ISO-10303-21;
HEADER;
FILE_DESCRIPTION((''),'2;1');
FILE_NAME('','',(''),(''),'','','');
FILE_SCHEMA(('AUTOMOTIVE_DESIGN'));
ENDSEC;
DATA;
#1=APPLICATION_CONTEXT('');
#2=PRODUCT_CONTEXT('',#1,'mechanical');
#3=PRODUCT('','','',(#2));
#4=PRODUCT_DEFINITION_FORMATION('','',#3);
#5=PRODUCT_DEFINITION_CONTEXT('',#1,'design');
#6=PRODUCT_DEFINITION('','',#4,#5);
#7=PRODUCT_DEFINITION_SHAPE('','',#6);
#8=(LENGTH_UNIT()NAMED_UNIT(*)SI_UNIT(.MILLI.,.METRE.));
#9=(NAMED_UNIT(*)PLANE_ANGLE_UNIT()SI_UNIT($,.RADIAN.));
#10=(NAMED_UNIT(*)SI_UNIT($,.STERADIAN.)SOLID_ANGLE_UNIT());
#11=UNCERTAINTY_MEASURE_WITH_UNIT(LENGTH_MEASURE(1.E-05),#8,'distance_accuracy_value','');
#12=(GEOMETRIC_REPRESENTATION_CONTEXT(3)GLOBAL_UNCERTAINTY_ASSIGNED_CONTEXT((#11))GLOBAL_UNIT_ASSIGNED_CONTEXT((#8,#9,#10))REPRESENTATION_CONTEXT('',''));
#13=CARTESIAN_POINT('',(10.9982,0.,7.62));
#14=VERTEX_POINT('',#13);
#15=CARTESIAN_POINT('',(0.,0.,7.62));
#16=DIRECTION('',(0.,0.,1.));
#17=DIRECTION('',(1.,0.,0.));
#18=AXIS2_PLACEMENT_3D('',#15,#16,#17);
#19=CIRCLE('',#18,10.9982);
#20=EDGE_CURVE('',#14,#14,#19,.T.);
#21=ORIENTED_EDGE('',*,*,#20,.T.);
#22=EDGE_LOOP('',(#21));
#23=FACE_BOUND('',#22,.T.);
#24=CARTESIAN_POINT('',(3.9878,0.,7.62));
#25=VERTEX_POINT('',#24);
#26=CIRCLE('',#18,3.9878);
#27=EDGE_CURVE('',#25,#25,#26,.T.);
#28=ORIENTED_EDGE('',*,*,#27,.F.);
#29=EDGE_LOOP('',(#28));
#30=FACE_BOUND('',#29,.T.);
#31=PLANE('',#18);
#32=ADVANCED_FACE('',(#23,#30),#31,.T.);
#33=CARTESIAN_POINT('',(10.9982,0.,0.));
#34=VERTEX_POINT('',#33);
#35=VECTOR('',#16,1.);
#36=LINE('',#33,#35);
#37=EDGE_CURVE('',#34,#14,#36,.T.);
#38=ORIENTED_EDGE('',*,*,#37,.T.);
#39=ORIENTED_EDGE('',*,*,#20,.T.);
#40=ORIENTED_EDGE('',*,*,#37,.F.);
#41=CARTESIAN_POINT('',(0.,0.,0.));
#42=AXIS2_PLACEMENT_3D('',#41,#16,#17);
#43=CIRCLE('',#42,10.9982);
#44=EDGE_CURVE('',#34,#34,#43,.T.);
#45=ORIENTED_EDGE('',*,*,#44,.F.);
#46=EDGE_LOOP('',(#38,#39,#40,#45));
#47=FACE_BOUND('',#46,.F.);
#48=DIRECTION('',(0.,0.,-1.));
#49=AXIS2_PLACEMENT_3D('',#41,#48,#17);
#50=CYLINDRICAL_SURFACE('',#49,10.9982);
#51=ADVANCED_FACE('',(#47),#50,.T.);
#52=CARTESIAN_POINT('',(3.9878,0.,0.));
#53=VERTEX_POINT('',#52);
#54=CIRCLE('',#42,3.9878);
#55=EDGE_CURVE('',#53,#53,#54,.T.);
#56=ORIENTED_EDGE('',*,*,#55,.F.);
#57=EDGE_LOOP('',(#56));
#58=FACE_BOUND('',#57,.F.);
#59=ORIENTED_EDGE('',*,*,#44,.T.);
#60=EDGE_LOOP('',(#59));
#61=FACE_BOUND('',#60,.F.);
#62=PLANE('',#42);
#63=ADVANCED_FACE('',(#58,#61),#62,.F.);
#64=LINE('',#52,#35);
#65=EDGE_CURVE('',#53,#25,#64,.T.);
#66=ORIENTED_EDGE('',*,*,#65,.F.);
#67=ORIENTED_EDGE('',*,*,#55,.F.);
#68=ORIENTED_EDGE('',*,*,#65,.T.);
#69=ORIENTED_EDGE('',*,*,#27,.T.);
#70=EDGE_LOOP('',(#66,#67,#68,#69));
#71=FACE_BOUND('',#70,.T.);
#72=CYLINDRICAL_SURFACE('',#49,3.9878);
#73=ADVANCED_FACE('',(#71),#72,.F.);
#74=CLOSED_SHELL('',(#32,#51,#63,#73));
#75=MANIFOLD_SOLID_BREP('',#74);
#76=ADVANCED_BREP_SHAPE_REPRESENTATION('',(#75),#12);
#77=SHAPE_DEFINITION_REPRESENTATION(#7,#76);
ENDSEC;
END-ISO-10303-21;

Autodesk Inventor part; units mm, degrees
ref_plane "YZ Plane" through (0, 0, 0) normal (1, 0, 0) x (0, 1, 0)
ref_plane "XZ Plane" through (0, 0, 0) normal (0, 1, 0) x (-1, 0, 0)
ref_plane "XY Plane" through (0, 0, 0) normal (0, 0, 1) x (1, 0, 0)
sketch "Sketch1" plane through (0, 0, 0) normal (0, 0, 1) x (1, 0, 0)
  circle A0 centre (0, 0) radius 3.9878
  circle A1 centre (0, 0) radius 10.9982
  dimension "d0" = 7.9756
  dimension "d1" = 21.9964
extrude "Extrusion1" add sketch "Sketch1" along normal blind 7.62
properties part number "Connecting Rod Bearing"
